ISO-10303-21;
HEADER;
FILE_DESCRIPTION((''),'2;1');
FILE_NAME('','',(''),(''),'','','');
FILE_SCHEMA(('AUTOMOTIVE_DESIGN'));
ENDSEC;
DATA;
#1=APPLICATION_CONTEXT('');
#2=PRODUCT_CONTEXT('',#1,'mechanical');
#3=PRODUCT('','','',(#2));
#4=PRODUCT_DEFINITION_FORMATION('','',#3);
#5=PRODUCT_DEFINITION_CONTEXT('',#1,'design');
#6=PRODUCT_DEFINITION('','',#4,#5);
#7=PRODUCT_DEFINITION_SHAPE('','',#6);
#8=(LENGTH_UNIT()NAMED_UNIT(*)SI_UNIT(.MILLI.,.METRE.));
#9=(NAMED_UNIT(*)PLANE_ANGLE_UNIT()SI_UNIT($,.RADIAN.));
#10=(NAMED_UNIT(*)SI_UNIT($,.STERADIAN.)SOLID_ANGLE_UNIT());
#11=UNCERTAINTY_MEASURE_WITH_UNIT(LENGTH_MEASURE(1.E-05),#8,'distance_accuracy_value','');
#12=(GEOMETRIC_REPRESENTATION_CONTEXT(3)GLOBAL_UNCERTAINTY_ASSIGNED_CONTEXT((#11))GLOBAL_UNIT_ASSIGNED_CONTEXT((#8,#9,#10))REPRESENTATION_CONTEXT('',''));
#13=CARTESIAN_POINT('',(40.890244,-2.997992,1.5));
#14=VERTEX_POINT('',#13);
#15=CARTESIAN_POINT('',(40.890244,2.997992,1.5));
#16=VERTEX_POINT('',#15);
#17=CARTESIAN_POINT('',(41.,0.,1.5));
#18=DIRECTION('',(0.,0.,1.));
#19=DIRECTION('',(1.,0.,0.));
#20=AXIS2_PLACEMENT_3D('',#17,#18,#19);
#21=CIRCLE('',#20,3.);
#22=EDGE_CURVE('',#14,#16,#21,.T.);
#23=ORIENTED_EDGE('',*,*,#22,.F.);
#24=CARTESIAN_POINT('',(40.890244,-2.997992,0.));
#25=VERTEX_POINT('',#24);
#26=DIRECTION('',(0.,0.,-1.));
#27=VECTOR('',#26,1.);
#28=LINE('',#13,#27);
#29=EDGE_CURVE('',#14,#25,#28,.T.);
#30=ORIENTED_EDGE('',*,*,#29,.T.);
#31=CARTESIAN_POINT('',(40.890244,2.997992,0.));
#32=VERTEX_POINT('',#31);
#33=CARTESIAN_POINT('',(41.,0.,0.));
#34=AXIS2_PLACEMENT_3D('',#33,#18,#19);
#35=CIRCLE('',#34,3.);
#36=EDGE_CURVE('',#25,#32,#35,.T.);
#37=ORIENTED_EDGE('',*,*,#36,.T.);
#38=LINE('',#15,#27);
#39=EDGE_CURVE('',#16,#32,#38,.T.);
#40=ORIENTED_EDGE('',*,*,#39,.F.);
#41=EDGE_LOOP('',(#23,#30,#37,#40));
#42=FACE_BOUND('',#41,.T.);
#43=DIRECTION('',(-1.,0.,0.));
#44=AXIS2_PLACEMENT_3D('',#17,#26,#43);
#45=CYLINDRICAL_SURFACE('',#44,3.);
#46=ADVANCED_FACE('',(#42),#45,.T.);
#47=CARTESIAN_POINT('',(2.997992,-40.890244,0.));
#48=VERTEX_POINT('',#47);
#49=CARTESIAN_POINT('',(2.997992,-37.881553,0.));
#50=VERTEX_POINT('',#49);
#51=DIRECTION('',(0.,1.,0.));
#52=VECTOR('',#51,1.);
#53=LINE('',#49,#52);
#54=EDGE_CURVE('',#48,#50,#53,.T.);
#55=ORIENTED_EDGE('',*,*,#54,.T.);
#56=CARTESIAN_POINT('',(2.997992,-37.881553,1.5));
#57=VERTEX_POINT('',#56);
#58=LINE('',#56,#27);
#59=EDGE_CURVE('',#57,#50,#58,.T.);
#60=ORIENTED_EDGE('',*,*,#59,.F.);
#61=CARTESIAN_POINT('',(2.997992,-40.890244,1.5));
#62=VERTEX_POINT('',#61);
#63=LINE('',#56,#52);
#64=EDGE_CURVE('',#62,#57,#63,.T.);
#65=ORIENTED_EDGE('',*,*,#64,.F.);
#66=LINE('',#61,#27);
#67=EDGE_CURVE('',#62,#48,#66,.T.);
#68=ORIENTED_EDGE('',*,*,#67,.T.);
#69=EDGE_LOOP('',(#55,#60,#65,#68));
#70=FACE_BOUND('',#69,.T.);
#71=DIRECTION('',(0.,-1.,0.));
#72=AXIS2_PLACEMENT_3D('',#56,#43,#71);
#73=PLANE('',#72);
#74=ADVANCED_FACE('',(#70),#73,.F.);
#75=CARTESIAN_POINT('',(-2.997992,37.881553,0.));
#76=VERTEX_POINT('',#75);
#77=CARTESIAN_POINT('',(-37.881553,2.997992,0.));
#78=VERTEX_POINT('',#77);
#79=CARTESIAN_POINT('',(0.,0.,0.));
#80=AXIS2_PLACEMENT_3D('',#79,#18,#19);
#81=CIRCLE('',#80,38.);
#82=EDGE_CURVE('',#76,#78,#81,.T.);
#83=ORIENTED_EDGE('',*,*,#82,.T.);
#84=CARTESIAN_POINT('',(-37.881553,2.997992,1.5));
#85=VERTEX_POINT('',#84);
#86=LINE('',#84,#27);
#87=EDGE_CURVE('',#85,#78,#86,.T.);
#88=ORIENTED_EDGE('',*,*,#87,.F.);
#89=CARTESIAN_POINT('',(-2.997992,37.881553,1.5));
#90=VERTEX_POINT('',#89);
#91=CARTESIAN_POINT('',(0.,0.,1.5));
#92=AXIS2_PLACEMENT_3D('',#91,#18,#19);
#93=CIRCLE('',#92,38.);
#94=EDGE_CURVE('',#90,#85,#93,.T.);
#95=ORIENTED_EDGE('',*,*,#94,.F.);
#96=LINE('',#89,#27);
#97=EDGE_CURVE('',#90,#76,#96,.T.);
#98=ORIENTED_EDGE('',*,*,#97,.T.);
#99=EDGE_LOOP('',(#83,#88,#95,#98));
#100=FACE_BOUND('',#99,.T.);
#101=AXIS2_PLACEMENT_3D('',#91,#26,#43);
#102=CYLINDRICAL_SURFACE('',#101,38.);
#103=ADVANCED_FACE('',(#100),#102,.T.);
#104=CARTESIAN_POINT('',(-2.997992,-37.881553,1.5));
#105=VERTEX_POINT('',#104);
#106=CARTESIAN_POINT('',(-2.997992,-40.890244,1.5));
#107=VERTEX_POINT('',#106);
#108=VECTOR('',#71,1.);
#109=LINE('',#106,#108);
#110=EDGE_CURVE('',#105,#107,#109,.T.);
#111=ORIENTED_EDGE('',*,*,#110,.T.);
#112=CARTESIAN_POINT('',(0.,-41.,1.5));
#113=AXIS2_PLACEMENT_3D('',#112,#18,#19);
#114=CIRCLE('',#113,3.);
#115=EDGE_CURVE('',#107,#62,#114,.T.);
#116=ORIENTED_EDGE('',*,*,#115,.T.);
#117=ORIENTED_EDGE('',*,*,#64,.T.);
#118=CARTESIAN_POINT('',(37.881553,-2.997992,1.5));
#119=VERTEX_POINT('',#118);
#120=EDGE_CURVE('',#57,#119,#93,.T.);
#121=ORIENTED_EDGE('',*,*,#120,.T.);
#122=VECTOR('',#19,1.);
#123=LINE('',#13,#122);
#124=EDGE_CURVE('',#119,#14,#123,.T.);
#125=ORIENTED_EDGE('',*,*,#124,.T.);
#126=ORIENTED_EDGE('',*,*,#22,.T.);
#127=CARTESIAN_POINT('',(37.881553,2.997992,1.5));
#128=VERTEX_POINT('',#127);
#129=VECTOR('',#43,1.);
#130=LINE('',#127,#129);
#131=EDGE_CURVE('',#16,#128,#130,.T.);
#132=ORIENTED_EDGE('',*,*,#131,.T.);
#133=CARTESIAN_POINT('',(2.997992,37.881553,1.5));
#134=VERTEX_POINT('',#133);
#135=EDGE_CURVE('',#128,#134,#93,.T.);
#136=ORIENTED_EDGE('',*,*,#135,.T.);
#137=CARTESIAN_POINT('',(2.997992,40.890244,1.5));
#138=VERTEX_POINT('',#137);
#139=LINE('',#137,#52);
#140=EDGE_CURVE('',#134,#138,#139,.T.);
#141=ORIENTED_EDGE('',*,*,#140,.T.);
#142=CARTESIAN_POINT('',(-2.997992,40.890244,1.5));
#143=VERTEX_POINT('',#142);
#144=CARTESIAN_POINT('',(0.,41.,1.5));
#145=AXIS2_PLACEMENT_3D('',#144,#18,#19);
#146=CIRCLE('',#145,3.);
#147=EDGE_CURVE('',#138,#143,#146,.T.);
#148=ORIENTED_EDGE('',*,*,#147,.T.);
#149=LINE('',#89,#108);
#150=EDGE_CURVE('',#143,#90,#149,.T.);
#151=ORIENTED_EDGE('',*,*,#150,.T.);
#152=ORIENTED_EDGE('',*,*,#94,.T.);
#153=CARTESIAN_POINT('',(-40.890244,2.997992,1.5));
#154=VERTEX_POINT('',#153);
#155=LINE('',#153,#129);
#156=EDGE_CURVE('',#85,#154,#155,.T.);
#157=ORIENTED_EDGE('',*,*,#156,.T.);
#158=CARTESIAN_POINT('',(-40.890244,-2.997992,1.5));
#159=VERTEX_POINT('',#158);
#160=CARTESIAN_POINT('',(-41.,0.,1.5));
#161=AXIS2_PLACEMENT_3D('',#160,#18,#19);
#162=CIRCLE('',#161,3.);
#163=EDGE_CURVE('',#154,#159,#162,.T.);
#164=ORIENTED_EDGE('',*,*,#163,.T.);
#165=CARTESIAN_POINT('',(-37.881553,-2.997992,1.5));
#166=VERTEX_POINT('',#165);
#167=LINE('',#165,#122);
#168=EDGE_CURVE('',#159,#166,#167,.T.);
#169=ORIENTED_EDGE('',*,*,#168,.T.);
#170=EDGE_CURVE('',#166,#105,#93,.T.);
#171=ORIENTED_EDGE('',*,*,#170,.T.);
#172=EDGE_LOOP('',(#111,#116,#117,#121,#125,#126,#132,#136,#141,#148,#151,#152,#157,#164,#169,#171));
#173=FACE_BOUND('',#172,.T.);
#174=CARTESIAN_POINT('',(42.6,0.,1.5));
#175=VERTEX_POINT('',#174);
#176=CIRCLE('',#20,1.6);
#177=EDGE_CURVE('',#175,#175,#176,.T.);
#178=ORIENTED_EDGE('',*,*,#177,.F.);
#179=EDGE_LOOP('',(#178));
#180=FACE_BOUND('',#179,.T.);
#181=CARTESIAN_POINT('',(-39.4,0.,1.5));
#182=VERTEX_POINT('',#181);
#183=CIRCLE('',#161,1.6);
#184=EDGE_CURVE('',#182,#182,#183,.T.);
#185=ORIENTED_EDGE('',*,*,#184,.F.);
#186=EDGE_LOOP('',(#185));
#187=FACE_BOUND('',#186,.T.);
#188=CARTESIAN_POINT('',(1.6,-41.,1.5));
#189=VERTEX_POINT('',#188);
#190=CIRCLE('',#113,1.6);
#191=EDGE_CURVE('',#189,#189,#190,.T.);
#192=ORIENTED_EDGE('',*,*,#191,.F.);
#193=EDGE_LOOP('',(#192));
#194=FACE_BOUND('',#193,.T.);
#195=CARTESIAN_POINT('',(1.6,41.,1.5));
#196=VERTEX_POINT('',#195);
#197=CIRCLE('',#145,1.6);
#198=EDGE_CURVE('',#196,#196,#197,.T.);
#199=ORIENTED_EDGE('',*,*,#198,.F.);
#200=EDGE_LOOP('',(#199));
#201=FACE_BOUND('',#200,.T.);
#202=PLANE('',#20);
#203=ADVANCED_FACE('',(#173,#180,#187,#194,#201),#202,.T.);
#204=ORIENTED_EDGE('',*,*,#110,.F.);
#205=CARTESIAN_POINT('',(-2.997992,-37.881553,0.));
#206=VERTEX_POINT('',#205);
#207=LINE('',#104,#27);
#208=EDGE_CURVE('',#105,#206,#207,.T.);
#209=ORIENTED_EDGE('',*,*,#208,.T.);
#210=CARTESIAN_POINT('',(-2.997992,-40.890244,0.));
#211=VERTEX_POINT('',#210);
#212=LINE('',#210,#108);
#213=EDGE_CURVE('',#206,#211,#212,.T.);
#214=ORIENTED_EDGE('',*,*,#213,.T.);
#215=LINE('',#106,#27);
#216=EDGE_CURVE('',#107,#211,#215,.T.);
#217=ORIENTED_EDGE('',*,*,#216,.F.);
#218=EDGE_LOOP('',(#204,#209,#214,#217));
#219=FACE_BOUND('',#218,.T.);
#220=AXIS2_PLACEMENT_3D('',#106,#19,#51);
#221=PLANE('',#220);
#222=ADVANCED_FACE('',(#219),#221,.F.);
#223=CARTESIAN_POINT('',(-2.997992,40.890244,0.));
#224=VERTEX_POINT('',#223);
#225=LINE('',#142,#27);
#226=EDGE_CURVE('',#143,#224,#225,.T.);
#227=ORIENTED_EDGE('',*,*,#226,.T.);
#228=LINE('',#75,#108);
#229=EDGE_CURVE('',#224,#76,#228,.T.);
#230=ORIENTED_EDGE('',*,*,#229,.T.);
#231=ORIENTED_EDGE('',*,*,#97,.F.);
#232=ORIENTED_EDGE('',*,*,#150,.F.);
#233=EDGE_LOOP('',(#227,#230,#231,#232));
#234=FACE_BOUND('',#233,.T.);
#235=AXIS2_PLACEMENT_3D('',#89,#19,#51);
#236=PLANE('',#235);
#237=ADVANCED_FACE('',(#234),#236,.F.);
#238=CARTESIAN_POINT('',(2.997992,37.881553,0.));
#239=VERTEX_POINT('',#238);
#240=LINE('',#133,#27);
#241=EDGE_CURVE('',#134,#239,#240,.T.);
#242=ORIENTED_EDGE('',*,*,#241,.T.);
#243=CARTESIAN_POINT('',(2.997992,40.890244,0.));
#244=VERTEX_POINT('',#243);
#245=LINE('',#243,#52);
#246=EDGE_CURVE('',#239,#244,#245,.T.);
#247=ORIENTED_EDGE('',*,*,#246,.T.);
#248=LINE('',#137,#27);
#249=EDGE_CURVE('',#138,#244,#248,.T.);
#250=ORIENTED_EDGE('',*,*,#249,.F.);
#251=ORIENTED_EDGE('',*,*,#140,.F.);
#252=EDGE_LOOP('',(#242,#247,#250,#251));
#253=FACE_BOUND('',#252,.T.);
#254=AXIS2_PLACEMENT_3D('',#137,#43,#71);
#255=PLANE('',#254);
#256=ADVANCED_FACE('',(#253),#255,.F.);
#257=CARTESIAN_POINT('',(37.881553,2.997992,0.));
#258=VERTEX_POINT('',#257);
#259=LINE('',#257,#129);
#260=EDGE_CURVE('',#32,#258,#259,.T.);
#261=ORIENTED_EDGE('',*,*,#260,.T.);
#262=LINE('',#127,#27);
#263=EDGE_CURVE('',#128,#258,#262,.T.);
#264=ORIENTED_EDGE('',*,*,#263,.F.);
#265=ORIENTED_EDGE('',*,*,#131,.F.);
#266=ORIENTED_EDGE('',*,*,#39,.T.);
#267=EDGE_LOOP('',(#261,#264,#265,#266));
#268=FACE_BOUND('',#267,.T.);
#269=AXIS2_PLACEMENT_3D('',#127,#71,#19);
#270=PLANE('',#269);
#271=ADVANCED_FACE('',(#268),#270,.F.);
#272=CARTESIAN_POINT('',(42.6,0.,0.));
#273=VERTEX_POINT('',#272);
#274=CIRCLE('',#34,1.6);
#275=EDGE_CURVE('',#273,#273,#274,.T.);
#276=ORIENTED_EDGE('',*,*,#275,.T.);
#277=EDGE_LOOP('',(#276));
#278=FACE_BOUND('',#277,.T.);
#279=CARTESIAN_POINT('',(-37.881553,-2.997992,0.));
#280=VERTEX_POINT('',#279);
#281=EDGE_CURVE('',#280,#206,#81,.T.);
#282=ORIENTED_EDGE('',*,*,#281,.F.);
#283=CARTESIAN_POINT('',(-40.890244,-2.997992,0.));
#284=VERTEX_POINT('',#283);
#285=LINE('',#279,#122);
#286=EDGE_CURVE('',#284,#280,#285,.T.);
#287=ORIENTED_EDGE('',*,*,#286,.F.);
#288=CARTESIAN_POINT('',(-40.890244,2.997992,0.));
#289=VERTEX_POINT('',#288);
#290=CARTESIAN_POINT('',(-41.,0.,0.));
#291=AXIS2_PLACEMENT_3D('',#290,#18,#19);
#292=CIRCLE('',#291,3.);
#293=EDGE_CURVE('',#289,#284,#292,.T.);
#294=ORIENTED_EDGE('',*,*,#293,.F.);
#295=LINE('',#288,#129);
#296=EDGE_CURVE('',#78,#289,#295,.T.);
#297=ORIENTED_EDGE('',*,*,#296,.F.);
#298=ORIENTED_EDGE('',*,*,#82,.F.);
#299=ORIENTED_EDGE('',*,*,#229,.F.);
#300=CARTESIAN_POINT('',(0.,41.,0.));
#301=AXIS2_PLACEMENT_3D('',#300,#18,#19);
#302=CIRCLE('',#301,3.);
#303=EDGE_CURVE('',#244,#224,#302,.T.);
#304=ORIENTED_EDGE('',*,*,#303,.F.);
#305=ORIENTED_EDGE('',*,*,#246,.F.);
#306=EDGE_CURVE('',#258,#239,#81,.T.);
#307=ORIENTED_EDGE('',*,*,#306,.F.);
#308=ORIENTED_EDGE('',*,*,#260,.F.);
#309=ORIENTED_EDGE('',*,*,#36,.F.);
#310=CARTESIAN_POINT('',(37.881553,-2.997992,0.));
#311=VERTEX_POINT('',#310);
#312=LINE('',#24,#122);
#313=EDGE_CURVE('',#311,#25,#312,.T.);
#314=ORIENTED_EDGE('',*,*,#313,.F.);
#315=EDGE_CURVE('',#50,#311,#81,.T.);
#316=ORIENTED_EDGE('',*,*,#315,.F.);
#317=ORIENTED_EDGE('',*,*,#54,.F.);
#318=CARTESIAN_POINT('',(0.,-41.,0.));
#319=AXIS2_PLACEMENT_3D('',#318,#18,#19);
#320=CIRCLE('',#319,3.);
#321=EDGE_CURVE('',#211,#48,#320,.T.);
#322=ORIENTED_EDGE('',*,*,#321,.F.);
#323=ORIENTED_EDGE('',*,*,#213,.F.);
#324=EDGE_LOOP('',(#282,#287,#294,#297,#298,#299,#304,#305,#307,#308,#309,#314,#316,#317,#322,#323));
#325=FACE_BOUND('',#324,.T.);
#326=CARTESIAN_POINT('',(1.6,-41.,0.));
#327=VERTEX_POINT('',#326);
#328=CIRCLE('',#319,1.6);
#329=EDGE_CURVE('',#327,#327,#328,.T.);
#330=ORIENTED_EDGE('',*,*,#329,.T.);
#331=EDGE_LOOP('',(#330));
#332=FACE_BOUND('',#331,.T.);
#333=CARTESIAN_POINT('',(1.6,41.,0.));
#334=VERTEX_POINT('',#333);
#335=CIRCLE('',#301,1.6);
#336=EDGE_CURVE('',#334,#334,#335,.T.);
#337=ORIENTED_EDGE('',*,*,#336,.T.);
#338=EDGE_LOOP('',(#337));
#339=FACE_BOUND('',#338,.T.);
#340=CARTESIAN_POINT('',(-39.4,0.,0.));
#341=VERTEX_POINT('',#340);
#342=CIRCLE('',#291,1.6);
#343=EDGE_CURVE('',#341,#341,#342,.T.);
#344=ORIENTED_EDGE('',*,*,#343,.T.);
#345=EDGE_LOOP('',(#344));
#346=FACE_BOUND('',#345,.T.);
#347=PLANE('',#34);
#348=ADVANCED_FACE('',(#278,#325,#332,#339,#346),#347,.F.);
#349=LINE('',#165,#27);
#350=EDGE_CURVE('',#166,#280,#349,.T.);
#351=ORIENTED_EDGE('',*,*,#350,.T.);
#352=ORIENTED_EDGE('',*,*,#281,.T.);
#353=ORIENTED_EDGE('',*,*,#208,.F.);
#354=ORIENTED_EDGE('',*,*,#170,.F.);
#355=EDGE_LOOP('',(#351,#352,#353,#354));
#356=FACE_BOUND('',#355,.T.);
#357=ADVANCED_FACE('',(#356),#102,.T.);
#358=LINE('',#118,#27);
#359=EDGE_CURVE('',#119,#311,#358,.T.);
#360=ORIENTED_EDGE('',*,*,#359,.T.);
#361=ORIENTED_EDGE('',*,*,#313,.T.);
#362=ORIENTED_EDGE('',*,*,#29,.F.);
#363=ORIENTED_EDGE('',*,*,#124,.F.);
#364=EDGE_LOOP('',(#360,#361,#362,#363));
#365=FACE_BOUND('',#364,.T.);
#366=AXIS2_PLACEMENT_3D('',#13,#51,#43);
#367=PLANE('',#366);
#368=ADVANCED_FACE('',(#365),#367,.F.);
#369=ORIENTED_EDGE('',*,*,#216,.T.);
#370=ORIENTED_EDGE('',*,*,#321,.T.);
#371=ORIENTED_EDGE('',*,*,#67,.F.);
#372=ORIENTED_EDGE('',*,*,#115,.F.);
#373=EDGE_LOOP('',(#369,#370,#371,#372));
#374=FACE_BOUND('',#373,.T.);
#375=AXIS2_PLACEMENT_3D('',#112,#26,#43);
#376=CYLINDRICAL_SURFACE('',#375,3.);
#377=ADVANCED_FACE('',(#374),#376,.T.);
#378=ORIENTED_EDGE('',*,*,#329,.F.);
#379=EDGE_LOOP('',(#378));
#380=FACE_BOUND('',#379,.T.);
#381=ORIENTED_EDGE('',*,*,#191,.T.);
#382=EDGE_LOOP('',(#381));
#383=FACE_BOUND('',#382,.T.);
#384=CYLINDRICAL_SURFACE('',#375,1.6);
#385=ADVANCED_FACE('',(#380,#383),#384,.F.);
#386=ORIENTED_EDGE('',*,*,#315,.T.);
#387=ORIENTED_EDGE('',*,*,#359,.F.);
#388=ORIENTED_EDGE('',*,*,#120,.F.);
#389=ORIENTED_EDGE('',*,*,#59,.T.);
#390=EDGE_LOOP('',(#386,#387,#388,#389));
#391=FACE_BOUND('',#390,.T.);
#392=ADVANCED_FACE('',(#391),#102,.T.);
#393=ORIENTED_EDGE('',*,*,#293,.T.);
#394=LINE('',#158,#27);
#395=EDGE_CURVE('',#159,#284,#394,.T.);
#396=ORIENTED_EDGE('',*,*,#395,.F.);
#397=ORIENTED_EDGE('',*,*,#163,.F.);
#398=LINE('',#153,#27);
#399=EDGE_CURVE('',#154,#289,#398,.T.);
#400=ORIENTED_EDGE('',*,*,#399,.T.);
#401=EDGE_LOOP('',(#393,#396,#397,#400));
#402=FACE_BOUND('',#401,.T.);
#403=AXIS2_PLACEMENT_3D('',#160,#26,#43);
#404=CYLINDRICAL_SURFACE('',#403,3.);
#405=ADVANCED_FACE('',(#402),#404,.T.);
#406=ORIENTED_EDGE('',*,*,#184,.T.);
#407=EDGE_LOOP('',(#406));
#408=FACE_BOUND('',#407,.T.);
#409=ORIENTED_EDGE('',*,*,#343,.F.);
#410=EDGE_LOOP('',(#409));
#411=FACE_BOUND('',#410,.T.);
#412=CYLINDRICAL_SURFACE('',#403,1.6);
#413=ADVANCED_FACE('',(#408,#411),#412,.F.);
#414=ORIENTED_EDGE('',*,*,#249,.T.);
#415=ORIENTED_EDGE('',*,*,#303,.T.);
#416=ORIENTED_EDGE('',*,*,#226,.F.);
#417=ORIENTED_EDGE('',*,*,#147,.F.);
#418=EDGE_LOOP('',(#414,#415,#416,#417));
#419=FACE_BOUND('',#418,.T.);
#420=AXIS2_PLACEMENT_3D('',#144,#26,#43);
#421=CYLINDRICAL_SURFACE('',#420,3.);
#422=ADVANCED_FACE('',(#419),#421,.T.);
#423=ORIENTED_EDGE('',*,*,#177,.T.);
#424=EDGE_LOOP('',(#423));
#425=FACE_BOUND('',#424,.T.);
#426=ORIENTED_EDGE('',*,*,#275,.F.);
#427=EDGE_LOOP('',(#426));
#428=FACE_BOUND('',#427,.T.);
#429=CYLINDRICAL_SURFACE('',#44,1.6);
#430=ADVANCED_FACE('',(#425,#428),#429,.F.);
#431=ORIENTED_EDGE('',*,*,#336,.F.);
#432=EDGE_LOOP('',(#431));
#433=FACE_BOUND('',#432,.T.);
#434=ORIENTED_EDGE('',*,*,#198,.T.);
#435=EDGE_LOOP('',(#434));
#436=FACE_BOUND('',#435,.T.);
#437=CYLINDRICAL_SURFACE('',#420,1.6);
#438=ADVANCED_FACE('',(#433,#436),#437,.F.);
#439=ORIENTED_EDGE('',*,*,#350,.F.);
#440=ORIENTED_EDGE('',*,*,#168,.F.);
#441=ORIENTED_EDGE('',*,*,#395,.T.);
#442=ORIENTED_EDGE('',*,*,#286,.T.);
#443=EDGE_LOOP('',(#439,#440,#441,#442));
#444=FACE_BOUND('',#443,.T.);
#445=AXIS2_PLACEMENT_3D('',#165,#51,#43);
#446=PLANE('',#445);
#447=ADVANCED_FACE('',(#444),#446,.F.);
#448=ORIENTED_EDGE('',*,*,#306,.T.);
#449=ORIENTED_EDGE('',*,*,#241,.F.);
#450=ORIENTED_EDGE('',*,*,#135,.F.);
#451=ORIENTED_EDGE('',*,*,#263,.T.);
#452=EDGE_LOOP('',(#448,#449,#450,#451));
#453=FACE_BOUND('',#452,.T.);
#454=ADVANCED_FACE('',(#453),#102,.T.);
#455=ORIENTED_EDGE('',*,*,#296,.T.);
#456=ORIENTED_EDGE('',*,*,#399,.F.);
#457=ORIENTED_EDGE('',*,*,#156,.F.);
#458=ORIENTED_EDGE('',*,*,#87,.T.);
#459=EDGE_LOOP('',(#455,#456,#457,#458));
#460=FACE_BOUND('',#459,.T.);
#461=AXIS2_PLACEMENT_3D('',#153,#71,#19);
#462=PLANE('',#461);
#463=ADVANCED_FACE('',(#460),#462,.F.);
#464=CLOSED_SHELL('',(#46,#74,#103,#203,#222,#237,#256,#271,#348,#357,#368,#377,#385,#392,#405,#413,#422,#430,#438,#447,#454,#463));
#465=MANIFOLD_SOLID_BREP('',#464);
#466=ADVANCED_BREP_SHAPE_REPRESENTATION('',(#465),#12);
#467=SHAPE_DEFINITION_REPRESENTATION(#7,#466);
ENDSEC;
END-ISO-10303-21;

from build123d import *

# Parameters (mm, degrees)
SKETCH1_R           = 1.6
BOSS_EXTRUDE1_DEPTH = 1.5


with BuildPart() as part:
    # Sketch1 → Boss-Extrude1 (new body)
    with BuildSketch(Plane.XY):
        with BuildLine():
            Line((-40.890243902, 2.997991594), (-37.881552851, 2.997991594))
            ThreePointArc((-37.881552851, 2.997991594), (-26.870057685, 26.870057685), (-2.997991594, 37.881552851))
            Line((-2.997991594, 37.881552851), (-2.997991594, 40.890243902))
            ThreePointArc((-2.997991594, 40.890243902), (0, 44), (2.997991594, 40.890243902))
            Line((2.997991594, 40.890243902), (2.997991594, 37.881552851))
            ThreePointArc((2.997991594, 37.881552851), (26.870057685, 26.870057685), (37.881552851, 2.997991594))
            Line((37.881552851, 2.997991594), (40.890243902, 2.997991594))
            ThreePointArc((40.890243902, 2.997991594), (44, 0), (40.890243902, -2.997991594))
            Line((40.890243902, -2.997991594), (37.881552851, -2.997991594))
            ThreePointArc((37.881552851, -2.997991594), (26.870057685, -26.870057685), (2.997991594, -37.881552851))
            Line((2.997991594, -37.881552851), (2.997991594, -40.890243902))
            ThreePointArc((2.997991594, -40.890243902), (0, -44), (-2.997991594, -40.890243902))
            Line((-2.997991594, -40.890243902), (-2.997991594, -37.881552851))
            ThreePointArc((-2.997991594, -37.881552851), (-26.870057685, -26.870057685), (-37.881552851, -2.997991594))
            Line((-37.881552851, -2.997991594), (-40.890243902, -2.997991594))
            ThreePointArc((-40.890243902, -2.997991594), (-44, 0), (-40.890243902, 2.997991594))
        make_face()
        with Locations((0, 41)):
            Circle(SKETCH1_R, mode=Mode.SUBTRACT)
        with Locations((41, 0)):
            Circle(SKETCH1_R, mode=Mode.SUBTRACT)
        with Locations((0, -41)):
            Circle(SKETCH1_R, mode=Mode.SUBTRACT)
        with Locations((-41, 0)):
            Circle(SKETCH1_R, mode=Mode.SUBTRACT)
    extrude(amount=BOSS_EXTRUDE1_DEPTH)


solid = part.part
